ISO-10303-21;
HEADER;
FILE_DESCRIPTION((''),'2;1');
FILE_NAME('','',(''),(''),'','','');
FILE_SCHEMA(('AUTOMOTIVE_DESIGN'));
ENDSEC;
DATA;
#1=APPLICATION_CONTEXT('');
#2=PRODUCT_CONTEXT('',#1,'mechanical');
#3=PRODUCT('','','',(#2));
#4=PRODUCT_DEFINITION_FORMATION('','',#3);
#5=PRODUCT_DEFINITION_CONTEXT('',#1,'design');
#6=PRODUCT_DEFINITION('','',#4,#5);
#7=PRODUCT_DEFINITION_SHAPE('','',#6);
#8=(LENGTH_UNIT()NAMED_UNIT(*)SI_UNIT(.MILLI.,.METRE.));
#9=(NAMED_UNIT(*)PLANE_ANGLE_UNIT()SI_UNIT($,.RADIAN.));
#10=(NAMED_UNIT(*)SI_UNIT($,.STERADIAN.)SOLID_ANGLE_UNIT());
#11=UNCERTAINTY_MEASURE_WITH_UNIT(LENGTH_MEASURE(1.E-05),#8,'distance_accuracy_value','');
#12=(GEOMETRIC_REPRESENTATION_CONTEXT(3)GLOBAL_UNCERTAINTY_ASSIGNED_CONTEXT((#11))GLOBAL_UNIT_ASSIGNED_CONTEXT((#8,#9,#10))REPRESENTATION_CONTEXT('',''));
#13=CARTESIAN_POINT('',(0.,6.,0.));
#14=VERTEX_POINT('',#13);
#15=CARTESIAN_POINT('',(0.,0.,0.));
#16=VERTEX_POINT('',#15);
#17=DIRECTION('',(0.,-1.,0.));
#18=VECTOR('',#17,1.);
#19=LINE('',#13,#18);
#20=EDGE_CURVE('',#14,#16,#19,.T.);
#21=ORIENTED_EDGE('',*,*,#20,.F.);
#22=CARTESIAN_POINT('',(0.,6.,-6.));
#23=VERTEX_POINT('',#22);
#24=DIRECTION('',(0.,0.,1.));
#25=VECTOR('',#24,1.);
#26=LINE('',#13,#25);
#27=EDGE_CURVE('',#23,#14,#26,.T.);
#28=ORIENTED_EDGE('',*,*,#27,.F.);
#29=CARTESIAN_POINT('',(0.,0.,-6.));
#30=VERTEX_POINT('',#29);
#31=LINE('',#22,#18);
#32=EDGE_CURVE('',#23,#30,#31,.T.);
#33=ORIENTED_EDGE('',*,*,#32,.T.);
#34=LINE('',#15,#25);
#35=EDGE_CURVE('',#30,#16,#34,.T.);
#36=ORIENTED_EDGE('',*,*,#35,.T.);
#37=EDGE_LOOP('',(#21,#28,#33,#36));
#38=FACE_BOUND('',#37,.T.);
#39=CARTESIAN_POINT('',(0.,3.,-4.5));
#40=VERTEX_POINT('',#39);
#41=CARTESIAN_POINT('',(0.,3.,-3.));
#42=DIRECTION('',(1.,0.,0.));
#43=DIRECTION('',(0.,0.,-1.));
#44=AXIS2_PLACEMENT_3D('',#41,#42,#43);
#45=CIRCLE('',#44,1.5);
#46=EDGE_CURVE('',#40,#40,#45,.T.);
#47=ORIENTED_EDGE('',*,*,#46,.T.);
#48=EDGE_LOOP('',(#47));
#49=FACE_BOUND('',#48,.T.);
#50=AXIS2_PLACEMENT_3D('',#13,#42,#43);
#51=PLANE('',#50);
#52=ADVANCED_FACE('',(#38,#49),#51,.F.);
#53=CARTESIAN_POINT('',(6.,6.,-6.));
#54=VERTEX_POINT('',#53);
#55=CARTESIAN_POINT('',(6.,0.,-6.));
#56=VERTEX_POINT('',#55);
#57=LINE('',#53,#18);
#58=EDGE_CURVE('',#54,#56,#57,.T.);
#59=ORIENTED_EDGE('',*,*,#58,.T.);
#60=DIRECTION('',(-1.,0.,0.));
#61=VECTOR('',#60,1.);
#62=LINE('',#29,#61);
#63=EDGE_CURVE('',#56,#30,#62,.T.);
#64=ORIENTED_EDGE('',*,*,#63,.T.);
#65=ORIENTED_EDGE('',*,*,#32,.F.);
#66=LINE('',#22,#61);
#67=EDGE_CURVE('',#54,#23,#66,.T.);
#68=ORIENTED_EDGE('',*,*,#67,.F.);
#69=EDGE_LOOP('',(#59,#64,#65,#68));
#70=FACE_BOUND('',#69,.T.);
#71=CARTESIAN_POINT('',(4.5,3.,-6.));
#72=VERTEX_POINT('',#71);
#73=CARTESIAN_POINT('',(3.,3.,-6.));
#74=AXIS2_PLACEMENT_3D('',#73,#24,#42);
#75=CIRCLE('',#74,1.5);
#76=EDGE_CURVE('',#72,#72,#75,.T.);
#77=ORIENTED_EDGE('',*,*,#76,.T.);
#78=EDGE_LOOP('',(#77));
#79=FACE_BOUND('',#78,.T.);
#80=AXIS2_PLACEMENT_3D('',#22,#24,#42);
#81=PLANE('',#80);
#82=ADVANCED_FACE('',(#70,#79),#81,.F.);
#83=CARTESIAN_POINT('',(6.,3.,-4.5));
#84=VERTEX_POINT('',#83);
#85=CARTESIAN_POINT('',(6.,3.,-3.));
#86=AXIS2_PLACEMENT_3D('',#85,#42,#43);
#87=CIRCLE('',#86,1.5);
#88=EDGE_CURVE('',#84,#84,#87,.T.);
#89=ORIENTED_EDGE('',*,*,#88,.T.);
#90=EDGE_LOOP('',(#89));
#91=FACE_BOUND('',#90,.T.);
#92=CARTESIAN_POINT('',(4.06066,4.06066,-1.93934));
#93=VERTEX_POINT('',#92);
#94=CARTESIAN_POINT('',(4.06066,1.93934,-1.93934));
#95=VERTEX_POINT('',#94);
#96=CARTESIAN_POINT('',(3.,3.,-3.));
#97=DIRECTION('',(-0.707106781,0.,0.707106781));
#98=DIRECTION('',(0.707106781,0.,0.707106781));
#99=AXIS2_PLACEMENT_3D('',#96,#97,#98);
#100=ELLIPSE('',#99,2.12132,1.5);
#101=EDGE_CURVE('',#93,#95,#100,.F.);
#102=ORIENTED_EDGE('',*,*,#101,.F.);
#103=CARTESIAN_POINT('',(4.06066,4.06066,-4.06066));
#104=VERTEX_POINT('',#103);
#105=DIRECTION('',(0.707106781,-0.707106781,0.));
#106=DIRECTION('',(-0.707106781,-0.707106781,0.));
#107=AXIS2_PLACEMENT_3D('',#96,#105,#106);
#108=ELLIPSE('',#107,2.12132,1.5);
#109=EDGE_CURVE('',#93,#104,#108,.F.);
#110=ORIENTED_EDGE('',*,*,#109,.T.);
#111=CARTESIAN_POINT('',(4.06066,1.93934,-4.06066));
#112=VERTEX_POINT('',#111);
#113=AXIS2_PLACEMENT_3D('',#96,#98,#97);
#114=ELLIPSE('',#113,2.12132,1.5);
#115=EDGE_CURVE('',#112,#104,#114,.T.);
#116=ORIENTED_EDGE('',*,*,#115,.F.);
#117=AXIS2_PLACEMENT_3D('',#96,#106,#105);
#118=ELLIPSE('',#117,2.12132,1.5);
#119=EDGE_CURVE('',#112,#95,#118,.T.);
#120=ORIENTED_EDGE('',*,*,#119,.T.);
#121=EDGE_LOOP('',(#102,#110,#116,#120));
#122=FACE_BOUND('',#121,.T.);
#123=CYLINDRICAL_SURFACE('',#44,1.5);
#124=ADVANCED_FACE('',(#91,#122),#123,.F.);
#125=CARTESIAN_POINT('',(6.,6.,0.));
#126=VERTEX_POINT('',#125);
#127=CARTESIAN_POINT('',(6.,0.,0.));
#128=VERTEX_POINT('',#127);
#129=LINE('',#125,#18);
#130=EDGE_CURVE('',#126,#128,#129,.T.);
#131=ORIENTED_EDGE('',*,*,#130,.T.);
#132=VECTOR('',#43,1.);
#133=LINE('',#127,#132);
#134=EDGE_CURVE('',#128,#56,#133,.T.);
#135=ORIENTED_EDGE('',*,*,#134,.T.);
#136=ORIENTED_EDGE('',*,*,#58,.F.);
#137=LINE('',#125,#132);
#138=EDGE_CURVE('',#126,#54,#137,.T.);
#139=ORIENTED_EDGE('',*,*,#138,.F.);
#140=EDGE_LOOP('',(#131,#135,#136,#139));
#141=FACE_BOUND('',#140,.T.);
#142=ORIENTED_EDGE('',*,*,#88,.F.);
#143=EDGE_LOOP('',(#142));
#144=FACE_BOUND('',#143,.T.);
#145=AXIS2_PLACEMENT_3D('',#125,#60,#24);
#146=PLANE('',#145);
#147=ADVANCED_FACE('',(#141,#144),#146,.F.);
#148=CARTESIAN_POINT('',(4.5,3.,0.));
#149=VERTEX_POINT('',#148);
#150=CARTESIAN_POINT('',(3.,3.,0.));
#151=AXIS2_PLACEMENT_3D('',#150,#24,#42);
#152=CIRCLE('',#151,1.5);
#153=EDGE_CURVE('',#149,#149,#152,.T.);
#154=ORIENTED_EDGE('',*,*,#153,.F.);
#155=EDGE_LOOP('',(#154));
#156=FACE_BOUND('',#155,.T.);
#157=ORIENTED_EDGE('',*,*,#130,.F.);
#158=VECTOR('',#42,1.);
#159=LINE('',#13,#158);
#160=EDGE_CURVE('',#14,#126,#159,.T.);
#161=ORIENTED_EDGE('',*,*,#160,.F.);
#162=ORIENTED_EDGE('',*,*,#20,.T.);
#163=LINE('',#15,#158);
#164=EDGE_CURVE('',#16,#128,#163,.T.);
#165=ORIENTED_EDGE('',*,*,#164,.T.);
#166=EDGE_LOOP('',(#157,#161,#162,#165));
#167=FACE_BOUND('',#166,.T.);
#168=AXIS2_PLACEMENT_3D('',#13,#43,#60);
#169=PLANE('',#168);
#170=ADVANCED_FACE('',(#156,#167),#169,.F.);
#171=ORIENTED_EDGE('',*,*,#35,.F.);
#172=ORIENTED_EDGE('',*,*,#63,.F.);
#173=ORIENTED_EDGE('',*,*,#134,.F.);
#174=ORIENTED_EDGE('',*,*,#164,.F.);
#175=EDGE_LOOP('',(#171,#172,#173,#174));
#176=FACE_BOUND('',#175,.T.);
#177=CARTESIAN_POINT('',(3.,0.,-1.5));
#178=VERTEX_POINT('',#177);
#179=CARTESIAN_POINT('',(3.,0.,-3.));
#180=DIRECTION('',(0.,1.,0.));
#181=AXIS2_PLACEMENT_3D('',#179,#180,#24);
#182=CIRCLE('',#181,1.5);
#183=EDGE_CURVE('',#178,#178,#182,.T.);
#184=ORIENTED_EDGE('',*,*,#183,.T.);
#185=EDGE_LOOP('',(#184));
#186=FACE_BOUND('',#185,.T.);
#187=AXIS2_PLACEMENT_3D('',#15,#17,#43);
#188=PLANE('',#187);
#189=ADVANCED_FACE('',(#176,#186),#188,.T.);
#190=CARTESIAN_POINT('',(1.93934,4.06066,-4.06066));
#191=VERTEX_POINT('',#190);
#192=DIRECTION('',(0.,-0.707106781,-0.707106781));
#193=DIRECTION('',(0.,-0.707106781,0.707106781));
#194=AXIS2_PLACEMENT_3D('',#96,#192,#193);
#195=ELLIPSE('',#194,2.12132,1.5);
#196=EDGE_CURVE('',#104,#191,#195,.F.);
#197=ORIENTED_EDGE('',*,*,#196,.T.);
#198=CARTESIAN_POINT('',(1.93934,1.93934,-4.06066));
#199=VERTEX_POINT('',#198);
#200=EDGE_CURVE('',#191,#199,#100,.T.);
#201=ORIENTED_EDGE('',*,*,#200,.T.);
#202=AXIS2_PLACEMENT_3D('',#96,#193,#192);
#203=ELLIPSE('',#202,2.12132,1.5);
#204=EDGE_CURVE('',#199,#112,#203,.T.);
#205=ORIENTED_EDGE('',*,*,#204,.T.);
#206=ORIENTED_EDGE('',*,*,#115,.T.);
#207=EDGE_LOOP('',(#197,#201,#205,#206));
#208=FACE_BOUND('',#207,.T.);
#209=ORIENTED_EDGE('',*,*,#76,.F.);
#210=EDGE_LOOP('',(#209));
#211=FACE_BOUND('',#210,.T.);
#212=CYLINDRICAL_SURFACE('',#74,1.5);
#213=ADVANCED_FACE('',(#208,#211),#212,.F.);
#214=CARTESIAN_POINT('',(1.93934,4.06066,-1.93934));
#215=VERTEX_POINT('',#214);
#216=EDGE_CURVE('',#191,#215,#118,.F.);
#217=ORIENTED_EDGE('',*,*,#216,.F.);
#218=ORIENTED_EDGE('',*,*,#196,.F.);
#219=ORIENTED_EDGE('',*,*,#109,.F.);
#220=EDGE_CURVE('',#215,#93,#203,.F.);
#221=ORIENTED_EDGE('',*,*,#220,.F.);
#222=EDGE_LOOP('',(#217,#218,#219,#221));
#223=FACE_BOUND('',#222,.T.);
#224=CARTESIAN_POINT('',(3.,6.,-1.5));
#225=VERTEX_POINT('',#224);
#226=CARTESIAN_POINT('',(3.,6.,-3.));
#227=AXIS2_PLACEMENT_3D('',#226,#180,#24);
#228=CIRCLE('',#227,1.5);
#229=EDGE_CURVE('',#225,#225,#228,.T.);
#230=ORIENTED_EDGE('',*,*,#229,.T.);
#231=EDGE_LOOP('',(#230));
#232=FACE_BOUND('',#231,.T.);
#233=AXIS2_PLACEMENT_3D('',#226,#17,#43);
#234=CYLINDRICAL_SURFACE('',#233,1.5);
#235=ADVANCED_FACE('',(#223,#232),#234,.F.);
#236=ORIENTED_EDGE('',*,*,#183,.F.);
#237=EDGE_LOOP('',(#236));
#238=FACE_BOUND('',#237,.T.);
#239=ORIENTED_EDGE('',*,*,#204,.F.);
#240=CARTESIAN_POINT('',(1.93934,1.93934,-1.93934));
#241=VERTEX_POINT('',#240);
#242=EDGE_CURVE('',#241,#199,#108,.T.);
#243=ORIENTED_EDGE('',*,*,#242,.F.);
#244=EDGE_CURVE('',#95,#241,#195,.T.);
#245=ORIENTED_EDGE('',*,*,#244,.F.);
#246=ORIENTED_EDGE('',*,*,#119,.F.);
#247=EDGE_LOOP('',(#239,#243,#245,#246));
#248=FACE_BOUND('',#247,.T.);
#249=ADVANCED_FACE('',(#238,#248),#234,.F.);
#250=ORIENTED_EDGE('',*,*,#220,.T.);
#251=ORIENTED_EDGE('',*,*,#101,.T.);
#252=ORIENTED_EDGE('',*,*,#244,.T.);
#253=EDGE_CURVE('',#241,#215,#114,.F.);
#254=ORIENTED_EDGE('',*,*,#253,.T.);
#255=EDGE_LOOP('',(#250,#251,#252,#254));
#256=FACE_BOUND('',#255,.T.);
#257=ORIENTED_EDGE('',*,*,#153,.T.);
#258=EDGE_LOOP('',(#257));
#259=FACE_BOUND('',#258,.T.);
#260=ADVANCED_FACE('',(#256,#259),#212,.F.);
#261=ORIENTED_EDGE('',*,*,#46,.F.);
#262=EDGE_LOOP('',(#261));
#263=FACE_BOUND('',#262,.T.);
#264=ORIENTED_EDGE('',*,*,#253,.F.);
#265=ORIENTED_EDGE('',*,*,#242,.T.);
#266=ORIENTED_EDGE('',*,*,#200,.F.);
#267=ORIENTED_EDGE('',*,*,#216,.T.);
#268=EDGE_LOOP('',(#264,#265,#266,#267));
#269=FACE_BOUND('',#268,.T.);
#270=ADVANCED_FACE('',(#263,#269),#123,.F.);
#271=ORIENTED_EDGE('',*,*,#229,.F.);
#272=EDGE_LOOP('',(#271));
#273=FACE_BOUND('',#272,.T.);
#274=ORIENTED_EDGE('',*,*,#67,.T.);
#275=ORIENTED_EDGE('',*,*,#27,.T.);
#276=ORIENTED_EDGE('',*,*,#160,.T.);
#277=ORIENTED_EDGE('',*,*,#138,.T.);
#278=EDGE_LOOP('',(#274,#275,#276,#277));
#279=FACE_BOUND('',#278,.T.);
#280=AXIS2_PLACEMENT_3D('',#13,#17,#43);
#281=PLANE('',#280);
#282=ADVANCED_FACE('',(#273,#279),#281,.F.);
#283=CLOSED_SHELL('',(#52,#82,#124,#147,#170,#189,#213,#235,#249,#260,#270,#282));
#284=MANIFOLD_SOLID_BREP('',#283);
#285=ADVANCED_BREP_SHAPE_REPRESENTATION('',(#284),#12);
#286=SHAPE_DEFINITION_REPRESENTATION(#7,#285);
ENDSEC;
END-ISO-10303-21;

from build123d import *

# Parameters (mm, degrees)
SKETCH_1_W          = 6
SKETCH_1_H          = 6
SKETCH_1_R          = 1.5
EXTRUDE_1_DEPTH     = 6
SKETCH_2_R          = 1.5
CUT_EXTRUDE_1_DEPTH = 6
SKETCH_3_R          = 1.5
CUT_EXTRUDE_2_DEPTH = 6


with BuildPart() as part:
    # 草图1 → 凸台-拉伸1 (new body)
    with BuildSketch(Plane(origin=(0, 0, 0), x_dir=(1, 0, 0), z_dir=(0, 1, 0))):
        with Locations((3, 3)):
            Rectangle(SKETCH_1_W, SKETCH_1_H)
        with Locations(Location((3, 3, 0), (0, 0, 270))):
            Circle(SKETCH_1_R, mode=Mode.SUBTRACT)
    extrude(amount=EXTRUDE_1_DEPTH)

    # 草图2 → 切除-拉伸1 (cut)
    with BuildSketch(Plane.XY):
        with Locations((3, 3)):
            Circle(SKETCH_2_R)
    extrude(amount=-CUT_EXTRUDE_1_DEPTH, mode=Mode.SUBTRACT)

    # 草图3 → 切除-拉伸2 (cut)
    with BuildSketch(Plane(origin=(6, 0, 0), x_dir=(0, 0, -1), z_dir=(1, 0, 0))):
        with Locations((3, 3)):
            Circle(SKETCH_3_R)
    extrude(amount=-CUT_EXTRUDE_2_DEPTH, mode=Mode.SUBTRACT)


solid = part.part
